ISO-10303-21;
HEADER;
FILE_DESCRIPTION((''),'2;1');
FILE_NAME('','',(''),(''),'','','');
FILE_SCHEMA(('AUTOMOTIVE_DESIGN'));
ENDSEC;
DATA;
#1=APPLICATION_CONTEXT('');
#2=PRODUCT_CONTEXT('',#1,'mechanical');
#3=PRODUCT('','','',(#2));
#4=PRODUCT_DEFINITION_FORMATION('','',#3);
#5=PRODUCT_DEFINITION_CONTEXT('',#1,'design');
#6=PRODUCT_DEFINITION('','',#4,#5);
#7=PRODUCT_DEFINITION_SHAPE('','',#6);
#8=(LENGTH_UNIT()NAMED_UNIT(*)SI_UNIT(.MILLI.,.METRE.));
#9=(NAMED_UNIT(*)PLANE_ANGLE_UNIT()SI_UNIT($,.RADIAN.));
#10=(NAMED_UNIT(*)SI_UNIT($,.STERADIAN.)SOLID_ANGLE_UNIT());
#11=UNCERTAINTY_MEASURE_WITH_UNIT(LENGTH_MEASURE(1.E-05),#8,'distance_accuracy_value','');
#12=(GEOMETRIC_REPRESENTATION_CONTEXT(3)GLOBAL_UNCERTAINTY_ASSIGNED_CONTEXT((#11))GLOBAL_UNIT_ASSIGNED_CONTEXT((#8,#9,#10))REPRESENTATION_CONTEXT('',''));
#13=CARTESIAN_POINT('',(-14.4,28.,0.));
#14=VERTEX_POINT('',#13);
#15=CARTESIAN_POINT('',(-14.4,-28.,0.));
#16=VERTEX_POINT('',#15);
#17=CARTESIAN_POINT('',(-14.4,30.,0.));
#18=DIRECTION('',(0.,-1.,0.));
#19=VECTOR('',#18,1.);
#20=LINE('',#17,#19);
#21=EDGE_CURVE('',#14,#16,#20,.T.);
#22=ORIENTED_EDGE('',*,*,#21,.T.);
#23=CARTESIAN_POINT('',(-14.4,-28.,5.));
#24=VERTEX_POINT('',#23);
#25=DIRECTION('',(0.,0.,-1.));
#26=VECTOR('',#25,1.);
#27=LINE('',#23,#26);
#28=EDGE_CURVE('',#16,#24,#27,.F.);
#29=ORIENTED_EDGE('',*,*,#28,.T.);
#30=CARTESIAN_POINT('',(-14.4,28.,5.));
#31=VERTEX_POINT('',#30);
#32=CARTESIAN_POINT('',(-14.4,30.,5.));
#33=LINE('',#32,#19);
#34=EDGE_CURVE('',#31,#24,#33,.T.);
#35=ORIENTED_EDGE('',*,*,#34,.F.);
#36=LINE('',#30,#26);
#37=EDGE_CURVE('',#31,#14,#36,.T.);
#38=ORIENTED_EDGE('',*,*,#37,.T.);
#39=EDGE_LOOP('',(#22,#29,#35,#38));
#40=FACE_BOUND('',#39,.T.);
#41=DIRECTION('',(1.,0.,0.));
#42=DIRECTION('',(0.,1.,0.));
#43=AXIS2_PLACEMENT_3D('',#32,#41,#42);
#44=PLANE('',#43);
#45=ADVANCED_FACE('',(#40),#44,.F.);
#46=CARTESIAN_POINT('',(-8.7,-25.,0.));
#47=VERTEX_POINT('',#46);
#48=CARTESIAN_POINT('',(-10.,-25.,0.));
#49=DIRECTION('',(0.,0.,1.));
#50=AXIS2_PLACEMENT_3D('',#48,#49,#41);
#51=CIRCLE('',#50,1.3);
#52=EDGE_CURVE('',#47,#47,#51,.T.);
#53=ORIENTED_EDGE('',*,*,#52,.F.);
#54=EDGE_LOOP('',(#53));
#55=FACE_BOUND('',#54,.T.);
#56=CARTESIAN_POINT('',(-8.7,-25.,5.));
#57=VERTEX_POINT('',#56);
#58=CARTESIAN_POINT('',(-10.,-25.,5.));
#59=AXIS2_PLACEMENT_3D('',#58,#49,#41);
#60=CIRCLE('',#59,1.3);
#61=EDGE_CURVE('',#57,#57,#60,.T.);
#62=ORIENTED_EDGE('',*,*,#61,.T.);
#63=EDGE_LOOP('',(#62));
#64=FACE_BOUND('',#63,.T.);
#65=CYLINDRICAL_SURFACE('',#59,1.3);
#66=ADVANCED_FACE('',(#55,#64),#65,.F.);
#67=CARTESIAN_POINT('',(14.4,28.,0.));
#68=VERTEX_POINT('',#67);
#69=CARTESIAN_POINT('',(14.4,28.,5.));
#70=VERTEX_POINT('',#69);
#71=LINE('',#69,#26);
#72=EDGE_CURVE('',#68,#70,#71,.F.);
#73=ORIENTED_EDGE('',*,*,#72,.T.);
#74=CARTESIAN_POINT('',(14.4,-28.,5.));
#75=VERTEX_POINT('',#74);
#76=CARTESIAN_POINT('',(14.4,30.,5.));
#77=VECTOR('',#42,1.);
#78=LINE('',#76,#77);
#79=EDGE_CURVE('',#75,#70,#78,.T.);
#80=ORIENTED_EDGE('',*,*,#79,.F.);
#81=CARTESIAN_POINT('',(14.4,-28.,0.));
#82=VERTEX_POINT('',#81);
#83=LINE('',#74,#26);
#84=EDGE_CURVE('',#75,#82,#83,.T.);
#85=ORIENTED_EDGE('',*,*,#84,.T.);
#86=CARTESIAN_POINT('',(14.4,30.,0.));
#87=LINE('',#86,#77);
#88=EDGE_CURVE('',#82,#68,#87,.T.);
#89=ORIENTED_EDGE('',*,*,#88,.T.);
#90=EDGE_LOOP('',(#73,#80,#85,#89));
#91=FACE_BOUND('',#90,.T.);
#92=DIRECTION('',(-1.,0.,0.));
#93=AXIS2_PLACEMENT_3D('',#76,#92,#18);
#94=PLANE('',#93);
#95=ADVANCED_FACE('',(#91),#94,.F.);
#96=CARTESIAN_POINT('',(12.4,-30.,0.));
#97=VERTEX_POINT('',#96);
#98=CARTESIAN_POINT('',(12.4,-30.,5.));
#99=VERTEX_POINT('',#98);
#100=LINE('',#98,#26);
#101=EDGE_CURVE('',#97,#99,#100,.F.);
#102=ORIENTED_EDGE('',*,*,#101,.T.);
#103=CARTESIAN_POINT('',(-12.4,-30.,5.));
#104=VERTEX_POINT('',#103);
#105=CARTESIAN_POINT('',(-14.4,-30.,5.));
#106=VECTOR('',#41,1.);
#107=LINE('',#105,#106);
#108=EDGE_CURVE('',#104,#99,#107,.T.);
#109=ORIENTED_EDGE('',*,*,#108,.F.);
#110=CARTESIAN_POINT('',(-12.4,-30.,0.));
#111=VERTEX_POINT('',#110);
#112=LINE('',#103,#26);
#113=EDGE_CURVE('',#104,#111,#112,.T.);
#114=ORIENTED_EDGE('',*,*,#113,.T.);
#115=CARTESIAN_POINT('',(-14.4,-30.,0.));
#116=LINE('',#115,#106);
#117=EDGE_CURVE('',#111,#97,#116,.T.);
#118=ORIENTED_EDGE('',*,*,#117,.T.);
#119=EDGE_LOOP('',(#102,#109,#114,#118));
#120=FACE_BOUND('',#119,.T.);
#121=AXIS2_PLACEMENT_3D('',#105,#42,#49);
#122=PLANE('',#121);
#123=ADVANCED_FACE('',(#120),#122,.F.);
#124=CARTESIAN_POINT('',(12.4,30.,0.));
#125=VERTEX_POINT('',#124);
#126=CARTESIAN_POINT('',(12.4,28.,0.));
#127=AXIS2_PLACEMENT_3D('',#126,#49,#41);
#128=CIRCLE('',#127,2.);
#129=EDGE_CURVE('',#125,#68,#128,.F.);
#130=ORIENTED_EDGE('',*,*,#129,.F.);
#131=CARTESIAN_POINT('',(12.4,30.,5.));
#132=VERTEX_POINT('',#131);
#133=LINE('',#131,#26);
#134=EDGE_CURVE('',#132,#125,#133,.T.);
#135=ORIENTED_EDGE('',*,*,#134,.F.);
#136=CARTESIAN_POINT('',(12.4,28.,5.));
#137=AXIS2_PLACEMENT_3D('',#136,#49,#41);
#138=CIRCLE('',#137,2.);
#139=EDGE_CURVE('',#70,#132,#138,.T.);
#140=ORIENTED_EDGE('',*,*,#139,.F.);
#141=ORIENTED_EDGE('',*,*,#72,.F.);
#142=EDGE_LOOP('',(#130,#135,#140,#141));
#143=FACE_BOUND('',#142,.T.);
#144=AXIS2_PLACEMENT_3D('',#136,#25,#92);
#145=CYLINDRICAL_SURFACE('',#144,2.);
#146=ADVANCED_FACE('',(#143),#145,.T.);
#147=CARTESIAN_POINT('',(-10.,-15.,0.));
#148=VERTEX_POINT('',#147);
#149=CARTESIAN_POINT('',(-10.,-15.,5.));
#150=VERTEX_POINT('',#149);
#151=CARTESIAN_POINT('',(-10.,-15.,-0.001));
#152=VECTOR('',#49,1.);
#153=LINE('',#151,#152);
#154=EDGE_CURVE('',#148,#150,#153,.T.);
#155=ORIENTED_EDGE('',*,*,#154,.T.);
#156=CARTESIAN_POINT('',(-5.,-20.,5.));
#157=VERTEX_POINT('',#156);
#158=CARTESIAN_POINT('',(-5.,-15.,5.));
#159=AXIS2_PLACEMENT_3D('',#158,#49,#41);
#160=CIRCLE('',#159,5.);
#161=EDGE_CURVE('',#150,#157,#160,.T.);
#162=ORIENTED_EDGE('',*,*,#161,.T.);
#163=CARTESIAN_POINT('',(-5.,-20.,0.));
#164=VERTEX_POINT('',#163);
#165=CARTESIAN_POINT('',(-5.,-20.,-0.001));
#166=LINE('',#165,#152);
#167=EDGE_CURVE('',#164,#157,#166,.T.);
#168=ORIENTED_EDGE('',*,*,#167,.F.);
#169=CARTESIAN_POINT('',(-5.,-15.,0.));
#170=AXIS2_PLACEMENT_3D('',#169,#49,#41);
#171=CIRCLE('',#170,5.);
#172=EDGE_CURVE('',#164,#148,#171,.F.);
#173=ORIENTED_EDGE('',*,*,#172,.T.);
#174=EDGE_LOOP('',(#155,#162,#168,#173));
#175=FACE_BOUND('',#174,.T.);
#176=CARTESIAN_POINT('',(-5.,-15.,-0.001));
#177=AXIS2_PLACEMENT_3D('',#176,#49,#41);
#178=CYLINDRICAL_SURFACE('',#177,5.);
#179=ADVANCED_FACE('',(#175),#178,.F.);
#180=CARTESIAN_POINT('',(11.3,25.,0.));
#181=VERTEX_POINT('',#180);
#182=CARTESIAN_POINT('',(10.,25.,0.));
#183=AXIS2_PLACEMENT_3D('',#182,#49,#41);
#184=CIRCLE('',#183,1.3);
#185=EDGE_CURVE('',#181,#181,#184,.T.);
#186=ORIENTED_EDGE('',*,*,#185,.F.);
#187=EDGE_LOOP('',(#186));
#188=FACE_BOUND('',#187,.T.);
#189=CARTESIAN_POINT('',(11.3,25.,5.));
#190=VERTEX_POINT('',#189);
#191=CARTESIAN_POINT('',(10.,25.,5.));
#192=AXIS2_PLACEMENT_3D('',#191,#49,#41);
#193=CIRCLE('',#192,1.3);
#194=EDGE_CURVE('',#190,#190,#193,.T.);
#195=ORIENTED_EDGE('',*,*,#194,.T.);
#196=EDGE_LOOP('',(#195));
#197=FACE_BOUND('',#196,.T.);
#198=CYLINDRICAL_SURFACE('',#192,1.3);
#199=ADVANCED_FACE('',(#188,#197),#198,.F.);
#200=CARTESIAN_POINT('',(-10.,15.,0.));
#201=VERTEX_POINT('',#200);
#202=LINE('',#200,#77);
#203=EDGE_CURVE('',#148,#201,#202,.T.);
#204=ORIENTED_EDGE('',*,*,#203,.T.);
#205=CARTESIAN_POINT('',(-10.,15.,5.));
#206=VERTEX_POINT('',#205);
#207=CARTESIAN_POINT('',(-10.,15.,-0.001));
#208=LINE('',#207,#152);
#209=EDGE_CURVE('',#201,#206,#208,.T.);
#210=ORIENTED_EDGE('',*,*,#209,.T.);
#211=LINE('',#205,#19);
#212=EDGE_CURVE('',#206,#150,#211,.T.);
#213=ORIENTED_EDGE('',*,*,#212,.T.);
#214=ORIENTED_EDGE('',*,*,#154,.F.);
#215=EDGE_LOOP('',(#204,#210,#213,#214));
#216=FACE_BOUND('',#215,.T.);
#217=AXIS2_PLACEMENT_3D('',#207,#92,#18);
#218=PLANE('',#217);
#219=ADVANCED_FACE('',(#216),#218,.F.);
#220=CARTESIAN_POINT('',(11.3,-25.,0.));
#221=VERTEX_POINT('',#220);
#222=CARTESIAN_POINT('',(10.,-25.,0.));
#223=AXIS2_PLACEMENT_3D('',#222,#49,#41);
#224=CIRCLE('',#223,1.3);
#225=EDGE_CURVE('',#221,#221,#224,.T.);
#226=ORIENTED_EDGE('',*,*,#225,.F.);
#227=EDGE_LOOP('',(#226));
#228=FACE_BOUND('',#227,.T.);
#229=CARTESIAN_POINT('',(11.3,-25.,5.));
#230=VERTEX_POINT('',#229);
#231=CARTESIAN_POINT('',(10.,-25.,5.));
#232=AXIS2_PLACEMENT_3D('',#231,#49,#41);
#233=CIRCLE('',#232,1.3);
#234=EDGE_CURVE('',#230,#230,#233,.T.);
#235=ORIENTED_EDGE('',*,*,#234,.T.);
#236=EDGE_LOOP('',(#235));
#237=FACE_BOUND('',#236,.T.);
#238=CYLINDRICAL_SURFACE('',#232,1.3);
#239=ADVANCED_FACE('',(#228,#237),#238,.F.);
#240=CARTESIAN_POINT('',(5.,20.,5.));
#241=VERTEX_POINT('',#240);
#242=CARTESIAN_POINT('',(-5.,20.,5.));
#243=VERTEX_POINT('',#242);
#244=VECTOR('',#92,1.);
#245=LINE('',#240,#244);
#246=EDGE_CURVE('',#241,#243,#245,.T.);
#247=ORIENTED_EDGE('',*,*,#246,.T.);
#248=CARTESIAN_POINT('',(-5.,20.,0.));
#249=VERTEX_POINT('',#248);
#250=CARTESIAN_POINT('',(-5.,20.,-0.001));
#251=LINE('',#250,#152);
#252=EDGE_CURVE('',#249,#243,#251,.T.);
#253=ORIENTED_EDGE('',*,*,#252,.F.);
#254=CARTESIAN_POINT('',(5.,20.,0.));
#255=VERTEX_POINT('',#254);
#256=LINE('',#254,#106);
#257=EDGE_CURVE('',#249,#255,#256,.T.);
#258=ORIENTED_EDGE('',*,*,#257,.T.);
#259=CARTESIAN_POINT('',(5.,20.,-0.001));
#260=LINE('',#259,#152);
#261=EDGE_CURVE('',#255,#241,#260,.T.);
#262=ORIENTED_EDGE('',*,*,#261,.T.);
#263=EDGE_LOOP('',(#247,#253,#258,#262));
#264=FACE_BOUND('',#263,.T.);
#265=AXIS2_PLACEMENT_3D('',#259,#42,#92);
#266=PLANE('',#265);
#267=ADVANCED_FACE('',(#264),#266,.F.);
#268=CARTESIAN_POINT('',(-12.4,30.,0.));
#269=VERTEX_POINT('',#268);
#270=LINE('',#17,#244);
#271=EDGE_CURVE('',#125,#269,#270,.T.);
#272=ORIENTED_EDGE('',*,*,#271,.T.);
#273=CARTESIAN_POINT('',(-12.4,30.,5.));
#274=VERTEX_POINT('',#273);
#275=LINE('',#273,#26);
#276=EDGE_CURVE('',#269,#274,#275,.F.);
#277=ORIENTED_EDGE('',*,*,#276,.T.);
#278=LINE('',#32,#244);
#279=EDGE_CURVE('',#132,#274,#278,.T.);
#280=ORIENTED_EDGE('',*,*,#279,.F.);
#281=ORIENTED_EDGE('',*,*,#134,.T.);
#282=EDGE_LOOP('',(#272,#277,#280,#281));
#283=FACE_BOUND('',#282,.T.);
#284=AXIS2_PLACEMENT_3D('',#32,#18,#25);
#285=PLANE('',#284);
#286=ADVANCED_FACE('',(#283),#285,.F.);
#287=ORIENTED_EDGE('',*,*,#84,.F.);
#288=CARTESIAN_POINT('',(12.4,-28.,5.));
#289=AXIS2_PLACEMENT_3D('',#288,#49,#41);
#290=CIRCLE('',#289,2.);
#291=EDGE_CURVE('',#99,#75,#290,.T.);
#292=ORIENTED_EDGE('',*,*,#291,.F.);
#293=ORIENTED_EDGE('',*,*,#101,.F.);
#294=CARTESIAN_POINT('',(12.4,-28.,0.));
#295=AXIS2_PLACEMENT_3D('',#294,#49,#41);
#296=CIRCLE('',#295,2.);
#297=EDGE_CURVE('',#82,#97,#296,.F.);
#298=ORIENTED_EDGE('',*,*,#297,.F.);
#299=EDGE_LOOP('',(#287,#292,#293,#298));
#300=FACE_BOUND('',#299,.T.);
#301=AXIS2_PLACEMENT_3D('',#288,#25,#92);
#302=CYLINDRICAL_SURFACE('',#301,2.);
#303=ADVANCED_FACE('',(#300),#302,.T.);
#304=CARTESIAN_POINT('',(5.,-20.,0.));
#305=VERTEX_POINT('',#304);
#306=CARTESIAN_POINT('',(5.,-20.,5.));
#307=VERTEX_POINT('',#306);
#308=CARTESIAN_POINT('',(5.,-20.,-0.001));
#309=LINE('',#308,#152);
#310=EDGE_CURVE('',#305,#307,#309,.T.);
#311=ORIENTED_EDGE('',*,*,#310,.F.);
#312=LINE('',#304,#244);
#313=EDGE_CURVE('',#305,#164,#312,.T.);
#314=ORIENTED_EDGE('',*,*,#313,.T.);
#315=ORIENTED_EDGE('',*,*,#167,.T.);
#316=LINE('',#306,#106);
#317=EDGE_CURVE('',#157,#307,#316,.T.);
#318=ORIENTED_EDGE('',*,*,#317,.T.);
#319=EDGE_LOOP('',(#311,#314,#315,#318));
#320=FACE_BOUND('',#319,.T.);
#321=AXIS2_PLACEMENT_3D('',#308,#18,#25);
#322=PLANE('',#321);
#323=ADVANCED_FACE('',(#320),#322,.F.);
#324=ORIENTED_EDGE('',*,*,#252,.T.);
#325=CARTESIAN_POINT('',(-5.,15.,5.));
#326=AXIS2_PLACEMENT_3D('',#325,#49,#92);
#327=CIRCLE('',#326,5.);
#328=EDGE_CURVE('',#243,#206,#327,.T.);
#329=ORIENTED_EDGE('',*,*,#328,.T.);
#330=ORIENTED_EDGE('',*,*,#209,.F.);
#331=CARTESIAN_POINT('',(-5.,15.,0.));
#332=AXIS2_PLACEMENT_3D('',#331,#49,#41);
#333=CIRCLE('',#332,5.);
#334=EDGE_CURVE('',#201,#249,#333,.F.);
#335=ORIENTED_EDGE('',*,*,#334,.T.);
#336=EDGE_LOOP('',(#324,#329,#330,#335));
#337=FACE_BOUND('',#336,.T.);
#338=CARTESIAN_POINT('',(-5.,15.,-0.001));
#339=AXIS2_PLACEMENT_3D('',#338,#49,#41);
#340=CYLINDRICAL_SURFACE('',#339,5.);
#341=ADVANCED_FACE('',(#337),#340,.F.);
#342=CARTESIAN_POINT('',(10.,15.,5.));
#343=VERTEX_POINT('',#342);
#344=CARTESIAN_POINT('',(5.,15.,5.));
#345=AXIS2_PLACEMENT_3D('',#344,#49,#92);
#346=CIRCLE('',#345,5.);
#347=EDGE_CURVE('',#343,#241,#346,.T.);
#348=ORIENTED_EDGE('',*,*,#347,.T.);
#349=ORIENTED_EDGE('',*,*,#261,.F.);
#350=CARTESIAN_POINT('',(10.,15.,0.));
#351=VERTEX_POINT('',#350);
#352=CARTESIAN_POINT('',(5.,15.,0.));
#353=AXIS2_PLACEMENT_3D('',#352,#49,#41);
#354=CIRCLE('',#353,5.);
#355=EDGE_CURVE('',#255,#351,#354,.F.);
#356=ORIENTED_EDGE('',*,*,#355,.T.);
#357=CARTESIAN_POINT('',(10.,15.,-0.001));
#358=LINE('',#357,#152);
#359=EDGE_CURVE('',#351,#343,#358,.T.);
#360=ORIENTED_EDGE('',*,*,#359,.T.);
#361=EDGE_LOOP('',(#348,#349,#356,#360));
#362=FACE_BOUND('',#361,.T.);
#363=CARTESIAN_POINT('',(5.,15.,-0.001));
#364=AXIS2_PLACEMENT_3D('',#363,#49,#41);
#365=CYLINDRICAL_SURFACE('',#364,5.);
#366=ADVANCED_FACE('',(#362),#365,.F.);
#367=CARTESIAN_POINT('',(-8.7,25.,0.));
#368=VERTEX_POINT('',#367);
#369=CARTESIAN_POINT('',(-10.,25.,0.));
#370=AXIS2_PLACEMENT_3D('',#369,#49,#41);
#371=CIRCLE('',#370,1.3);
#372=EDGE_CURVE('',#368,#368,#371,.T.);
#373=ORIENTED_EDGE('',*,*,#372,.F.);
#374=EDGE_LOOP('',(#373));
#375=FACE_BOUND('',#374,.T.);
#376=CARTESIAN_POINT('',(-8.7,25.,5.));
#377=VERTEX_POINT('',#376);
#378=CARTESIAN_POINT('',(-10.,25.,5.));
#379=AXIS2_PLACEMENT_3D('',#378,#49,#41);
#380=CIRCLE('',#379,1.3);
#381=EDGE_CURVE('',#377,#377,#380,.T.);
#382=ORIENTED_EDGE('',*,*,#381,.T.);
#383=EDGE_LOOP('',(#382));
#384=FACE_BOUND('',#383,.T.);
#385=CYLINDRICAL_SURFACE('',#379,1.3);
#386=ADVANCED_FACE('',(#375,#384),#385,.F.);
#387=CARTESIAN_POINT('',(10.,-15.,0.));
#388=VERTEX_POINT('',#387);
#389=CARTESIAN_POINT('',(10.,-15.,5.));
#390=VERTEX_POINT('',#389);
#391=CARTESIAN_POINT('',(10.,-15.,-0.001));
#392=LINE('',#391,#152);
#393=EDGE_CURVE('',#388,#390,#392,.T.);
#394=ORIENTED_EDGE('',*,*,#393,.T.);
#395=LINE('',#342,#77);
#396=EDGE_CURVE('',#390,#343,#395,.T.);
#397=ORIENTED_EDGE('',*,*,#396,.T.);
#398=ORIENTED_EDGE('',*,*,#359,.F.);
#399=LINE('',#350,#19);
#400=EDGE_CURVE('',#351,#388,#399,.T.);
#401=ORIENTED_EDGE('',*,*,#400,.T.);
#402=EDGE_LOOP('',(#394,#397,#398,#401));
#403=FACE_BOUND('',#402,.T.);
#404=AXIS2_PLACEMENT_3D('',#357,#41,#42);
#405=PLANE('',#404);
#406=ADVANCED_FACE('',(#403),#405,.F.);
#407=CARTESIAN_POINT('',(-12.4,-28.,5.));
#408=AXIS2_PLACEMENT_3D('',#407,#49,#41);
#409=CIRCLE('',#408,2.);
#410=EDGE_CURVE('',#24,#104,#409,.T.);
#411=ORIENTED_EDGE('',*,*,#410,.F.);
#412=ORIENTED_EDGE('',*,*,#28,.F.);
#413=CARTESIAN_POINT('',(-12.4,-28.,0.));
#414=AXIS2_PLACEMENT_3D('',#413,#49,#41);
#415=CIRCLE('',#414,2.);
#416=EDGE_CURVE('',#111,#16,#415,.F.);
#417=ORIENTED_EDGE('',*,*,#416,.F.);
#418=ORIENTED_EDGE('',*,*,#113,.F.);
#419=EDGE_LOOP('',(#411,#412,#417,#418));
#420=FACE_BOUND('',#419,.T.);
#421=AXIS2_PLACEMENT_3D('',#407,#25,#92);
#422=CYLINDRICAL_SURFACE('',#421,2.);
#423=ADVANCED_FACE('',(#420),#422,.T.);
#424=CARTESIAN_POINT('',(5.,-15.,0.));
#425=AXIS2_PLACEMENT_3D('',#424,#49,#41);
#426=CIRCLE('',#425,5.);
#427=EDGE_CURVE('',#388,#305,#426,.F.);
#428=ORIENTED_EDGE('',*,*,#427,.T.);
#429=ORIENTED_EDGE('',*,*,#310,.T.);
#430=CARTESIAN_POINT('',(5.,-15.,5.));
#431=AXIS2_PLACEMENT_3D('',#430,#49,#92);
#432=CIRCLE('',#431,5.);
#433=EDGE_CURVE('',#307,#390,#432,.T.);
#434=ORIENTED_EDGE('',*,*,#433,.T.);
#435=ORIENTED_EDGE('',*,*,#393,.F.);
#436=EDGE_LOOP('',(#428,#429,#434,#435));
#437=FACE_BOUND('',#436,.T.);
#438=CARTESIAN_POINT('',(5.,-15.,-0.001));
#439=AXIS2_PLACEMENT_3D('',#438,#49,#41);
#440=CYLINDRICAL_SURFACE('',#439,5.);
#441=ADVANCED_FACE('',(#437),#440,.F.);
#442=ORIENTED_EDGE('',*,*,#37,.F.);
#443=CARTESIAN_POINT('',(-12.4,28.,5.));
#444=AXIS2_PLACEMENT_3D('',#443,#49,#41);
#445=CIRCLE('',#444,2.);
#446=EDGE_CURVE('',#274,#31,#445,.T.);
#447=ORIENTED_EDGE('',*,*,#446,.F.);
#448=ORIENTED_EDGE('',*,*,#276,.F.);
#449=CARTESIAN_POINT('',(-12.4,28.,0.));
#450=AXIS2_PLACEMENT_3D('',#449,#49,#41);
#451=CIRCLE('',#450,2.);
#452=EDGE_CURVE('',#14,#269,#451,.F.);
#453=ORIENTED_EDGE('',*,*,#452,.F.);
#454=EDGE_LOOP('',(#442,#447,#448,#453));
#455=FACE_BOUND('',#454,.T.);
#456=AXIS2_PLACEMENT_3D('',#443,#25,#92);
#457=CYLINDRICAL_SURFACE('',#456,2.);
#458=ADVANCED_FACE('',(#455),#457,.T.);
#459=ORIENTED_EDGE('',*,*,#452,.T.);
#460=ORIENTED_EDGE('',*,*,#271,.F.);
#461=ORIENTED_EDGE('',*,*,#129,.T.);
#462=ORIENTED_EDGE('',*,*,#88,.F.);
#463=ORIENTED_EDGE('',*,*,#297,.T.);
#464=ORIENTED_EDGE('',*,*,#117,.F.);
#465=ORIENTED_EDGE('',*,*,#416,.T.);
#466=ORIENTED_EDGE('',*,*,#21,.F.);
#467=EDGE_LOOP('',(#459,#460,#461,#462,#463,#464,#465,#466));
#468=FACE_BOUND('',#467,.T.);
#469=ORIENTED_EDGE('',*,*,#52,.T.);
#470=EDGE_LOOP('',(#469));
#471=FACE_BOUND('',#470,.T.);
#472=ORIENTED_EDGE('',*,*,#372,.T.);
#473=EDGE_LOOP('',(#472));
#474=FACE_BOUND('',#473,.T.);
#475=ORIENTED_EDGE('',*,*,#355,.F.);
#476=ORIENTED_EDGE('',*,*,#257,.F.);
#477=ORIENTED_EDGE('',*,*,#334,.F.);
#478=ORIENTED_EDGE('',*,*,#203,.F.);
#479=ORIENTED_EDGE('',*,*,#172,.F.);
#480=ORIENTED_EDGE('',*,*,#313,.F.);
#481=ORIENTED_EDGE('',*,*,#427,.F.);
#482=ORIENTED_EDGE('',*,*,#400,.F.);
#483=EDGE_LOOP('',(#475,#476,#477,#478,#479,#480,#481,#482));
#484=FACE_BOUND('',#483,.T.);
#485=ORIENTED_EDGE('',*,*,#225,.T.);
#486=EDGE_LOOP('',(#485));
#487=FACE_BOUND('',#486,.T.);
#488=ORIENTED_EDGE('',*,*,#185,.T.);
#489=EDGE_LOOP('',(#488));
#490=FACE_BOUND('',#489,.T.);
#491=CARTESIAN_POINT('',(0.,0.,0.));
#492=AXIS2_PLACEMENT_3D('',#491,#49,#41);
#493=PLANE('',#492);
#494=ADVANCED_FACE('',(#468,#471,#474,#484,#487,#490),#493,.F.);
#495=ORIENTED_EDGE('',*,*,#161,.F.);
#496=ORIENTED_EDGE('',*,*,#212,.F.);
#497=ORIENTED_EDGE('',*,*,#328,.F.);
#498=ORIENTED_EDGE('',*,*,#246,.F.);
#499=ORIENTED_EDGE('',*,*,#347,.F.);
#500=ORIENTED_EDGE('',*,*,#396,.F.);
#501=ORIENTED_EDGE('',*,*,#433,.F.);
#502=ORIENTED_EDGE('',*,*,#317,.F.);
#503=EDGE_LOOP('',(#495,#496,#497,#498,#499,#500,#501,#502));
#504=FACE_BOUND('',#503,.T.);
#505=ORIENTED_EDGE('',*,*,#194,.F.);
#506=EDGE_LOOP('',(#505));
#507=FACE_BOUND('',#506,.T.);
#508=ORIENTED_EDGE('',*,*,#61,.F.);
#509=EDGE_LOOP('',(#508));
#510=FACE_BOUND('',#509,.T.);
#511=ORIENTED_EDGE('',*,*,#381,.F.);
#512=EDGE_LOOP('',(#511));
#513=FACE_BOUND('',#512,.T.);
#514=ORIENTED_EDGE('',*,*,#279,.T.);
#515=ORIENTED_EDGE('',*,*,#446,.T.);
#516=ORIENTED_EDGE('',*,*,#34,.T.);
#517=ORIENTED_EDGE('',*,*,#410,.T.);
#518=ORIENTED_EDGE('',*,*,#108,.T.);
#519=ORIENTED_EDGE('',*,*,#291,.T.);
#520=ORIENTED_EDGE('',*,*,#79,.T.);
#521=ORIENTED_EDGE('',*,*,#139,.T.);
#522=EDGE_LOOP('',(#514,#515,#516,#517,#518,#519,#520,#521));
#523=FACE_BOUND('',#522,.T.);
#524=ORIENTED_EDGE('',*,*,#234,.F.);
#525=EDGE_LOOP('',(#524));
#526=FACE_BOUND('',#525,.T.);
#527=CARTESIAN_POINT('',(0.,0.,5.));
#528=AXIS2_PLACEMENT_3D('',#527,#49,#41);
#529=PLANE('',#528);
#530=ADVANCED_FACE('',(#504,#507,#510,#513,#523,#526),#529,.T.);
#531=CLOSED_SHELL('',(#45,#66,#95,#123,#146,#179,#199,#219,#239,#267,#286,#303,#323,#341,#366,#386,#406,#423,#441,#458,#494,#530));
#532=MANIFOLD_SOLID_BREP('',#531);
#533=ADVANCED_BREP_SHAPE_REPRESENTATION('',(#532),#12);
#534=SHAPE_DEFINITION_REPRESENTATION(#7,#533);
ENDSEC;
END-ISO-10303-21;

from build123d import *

# Parameters (mm, degrees)
SZKIC1_W                    = 28.8
SZKIC1_H                    = 60
DODANIE_WYCI_GNI_CIE1_DEPTH = 5
ZAOKR_GLENIE1_R             = 2
OTW_R_POD_RUB_M22_D         = 2.6
WYTNIJ_WYCI_GNI_CIE1_REACH  = 7


with BuildPart() as part:
    # Szkic1 → Dodanie-wyciągnięcie1 (new body)
    with BuildSketch(Plane.XY):
        Rectangle(SZKIC1_W, SZKIC1_H)
    extrude(amount=DODANIE_WYCI_GNI_CIE1_DEPTH)

    # Zaokrąglenie1
    zaokr_glenie1_edges = [part.edges().sort_by_distance(p)[0] for p in [
        (14.4, -30, 2.5),
        (-14.4, -30, 2.5),
        (-14.4, 30, 2.5),
        (14.4, 30, 2.5),
    ]]
    fillet(zaokr_glenie1_edges, radius=ZAOKR_GLENIE1_R)

    # Otwór pod śrubę M22 (through all)
    with Locations(Plane.XY.offset(5)):
        with Locations((10, 25), (10, -25), (-10, -25), (-10, 25)):
            Hole(OTW_R_POD_RUB_M22_D / 2)

    # Szkic7 → Wytnij-wyciągnięcie1 (cut, up to next)
    with BuildSketch(Plane.XY.offset(5), mode=Mode.PRIVATE) as wytnij_wyci_gni_cie1_sk1:
        with BuildLine():
            Line((5, 20), (-5, 20))
            ThreePointArc((-5, 20), (-8.535533906, 18.535533906), (-10, 15))
            Line((-10, 15), (-10, -15))
            ThreePointArc((-10, -15), (-8.535533906, -18.535533906), (-5, -20))
            Line((-5, -20), (5, -20))
            ThreePointArc((5, -20), (8.535533906, -18.535533906), (10, -15))
            Line((10, -15), (10, 15))
            ThreePointArc((10, 15), (8.535533906, 18.535533906), (5, 20))
        make_face()
    wytnij_wyci_gni_cie1_tool1 = extrude(wytnij_wyci_gni_cie1_sk1.sketch, amount=-WYTNIJ_WYCI_GNI_CIE1_REACH, mode=Mode.PRIVATE) & part.part
    add(wytnij_wyci_gni_cie1_tool1.solids().sort_by_distance((0, 0, 5))[0], mode=Mode.SUBTRACT)


solid = part.part
